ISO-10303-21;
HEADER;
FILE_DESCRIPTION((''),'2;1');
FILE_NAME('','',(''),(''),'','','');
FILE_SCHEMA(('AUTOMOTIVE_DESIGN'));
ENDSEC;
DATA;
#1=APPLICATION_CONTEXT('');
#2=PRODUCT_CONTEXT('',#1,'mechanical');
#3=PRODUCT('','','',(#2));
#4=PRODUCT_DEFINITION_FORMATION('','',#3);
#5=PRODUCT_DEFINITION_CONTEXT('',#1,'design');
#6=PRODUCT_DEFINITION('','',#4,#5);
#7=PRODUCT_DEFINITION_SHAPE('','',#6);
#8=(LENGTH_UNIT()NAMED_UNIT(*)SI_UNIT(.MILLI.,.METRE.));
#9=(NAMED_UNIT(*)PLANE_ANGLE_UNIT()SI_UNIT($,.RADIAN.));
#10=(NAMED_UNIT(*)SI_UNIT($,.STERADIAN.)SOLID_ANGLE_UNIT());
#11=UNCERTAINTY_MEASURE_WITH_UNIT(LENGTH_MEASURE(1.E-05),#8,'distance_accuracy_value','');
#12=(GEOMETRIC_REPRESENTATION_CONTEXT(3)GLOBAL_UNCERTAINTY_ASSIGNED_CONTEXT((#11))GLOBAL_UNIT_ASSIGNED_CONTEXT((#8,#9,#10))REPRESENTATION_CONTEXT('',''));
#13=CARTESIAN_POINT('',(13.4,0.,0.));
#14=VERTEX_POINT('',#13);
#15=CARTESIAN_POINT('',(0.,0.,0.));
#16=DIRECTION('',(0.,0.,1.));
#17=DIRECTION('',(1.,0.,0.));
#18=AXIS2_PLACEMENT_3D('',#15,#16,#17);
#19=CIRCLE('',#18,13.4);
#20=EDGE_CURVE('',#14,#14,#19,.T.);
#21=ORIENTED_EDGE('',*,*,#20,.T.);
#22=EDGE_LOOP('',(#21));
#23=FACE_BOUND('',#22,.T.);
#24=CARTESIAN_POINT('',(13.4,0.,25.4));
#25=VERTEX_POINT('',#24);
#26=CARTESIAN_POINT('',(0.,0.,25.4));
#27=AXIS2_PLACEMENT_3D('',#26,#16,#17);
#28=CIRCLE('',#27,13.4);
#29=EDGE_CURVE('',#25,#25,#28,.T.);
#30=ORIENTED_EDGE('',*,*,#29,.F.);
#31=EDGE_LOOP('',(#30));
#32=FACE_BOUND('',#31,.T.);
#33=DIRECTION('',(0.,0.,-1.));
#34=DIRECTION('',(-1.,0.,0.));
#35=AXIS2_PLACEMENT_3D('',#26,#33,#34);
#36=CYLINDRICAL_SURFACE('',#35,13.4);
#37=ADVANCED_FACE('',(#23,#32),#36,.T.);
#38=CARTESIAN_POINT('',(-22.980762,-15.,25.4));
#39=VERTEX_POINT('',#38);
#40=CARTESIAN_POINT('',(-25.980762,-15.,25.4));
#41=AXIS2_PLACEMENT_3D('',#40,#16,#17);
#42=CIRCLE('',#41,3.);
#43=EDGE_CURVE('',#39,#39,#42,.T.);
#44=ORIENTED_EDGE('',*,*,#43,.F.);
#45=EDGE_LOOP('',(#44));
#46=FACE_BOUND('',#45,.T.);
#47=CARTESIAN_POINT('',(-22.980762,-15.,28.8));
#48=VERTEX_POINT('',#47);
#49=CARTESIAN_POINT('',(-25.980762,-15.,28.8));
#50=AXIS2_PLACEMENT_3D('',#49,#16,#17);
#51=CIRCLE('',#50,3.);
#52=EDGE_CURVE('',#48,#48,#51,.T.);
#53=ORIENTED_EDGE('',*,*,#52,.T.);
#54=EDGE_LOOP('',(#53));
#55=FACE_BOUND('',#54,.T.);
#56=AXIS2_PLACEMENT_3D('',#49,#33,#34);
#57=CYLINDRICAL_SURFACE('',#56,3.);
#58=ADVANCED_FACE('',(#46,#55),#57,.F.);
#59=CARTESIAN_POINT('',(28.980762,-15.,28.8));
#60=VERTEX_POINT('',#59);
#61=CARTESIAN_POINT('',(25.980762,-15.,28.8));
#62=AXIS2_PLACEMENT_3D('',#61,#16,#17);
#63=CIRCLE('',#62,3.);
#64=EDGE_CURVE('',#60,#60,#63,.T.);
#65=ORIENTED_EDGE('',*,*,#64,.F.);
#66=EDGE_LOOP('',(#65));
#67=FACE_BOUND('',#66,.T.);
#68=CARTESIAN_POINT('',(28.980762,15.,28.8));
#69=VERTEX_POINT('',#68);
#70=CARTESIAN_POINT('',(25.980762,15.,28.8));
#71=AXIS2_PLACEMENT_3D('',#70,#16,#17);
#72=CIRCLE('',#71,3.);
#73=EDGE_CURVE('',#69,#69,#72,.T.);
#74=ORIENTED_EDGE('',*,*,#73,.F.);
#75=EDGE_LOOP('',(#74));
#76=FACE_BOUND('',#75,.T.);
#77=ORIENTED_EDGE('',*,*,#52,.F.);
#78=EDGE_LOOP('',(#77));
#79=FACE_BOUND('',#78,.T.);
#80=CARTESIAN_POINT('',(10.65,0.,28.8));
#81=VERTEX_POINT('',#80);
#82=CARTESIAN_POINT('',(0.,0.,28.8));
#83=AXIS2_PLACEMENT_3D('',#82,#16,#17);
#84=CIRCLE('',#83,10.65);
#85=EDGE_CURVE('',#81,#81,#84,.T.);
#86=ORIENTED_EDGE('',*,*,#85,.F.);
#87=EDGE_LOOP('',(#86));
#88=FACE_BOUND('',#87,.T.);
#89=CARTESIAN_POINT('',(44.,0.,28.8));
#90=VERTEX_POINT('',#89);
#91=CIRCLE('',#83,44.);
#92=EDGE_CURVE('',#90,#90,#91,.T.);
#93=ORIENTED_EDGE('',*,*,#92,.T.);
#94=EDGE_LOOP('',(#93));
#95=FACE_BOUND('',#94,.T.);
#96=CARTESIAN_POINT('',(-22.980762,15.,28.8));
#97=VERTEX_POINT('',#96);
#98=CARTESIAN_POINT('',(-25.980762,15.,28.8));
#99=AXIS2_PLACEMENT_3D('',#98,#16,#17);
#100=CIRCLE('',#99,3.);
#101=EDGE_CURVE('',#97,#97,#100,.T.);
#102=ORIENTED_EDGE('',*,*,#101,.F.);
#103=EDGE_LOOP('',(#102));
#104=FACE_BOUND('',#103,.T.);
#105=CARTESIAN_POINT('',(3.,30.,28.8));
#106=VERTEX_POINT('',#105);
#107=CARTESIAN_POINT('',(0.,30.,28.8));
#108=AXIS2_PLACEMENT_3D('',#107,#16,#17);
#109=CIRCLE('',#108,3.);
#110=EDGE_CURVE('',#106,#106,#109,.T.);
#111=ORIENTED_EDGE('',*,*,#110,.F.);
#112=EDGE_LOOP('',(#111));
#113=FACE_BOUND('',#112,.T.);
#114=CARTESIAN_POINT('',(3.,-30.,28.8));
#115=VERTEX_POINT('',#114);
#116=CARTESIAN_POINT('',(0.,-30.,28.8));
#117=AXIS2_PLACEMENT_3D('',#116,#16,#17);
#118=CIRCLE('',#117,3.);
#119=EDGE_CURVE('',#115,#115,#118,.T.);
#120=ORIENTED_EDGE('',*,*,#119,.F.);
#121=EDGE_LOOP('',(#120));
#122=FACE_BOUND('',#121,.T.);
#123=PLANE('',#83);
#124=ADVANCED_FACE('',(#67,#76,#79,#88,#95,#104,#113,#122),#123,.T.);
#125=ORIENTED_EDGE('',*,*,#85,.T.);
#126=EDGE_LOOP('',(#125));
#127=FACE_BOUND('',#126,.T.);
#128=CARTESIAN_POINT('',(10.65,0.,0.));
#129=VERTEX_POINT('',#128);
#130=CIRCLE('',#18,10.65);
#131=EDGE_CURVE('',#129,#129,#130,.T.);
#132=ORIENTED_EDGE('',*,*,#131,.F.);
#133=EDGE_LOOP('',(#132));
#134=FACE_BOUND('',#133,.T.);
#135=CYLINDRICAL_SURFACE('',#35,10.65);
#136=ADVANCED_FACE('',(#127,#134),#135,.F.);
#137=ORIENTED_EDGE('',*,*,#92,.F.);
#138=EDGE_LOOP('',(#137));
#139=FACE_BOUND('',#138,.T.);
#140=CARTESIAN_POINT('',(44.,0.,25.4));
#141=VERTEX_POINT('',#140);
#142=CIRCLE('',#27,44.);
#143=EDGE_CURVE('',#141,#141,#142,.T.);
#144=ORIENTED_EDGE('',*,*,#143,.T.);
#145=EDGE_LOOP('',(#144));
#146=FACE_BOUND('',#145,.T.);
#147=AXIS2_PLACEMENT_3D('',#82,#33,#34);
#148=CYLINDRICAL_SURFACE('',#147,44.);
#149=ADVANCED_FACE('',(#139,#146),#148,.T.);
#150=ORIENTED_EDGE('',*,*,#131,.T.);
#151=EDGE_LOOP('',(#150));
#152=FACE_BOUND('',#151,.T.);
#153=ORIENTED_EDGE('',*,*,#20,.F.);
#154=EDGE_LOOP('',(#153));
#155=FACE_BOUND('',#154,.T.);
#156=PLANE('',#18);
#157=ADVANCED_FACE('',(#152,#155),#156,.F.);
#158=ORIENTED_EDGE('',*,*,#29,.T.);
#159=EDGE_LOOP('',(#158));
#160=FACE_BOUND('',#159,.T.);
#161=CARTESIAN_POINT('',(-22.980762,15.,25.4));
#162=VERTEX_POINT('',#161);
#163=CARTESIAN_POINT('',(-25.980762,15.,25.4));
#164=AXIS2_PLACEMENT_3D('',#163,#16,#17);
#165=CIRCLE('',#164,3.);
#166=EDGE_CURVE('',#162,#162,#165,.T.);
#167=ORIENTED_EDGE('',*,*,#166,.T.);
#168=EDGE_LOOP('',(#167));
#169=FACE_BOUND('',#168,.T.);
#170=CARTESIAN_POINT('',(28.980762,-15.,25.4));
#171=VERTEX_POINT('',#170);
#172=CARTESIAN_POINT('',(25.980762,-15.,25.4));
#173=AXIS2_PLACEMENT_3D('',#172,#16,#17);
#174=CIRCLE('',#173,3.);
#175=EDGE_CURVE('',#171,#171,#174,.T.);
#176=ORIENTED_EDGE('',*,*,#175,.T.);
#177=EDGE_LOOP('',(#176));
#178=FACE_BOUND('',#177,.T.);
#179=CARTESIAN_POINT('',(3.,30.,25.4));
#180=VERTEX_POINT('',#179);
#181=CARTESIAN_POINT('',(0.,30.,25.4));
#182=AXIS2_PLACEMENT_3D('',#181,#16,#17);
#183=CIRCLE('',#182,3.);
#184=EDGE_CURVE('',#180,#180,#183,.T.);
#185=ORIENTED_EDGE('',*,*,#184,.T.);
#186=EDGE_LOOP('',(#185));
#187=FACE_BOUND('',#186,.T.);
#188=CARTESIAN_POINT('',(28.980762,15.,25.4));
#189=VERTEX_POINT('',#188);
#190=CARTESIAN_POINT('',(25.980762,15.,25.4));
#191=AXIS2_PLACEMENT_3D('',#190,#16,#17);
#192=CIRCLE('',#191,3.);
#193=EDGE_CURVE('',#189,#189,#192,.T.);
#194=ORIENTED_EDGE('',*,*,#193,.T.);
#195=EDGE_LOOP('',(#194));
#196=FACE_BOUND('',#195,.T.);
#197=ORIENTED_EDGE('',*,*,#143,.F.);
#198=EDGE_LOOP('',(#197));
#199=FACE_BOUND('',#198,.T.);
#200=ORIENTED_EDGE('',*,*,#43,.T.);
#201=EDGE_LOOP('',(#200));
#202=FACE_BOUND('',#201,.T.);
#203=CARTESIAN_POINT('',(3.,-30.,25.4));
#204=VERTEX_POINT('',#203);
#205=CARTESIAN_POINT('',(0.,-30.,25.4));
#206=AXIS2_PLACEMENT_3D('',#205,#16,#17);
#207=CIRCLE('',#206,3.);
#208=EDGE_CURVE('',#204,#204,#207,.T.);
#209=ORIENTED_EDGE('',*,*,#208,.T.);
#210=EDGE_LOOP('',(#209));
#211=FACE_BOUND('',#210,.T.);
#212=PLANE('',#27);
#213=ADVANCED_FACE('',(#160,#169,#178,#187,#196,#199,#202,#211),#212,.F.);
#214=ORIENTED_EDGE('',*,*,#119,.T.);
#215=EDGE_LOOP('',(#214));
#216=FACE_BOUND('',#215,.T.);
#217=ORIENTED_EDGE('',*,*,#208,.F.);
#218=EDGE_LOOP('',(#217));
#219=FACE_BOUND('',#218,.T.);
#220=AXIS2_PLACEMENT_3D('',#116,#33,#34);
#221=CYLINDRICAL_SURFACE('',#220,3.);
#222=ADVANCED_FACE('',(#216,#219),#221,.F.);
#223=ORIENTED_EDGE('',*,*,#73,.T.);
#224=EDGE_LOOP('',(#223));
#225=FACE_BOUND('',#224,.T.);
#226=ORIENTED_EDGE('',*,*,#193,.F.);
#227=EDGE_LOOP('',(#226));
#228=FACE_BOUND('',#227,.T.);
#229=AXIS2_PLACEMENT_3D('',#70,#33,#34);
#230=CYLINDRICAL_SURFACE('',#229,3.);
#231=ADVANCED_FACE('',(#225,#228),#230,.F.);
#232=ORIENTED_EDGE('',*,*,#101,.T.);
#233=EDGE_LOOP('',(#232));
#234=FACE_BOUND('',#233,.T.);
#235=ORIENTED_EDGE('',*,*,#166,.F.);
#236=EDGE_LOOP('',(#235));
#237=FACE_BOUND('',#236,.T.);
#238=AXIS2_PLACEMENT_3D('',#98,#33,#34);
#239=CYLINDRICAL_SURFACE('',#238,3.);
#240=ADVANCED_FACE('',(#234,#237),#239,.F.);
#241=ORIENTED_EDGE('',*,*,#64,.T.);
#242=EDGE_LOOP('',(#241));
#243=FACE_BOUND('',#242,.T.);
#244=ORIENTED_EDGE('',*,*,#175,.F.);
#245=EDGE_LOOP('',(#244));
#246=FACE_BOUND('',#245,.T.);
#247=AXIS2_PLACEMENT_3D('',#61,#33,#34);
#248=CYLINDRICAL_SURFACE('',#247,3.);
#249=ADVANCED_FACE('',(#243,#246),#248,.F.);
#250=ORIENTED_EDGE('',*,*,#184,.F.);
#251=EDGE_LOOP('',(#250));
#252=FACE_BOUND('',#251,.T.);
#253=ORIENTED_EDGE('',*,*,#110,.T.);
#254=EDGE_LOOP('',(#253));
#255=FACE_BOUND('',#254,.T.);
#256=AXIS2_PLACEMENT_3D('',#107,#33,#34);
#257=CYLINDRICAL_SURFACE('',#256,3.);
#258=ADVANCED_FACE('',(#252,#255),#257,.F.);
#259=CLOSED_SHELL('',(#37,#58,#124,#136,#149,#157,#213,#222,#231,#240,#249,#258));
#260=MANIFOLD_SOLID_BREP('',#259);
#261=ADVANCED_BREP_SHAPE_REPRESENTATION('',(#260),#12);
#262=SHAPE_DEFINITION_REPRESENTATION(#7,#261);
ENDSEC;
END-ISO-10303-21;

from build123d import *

# Parameters (mm, degrees)
CROQUIS1_R              = 13.4
CROQUIS1_R_2            = 10.65
SALIENTE_EXTRUIR1_DEPTH = 25.4
CROQUIS2_R              = 44
CROQUIS2_R_2            = 10.65
CROQUIS2_R_3            = 3
SALIENTE_EXTRUIR2_DEPTH = 3.4


with BuildPart() as part:
    # Croquis1 → Saliente-Extruir1 (new body)
    with BuildSketch(Plane.XY):
        Circle(CROQUIS1_R)
        Circle(CROQUIS1_R_2, mode=Mode.SUBTRACT)
    extrude(amount=SALIENTE_EXTRUIR1_DEPTH)

    # Croquis2 → Saliente-Extruir2 (add)
    with BuildSketch(Plane.XY.offset(25.4)):
        Circle(CROQUIS2_R)
        Circle(CROQUIS2_R_2, mode=Mode.SUBTRACT)
        with Locations((0, 30)):
            Circle(CROQUIS2_R_3, mode=Mode.SUBTRACT)
        with Locations((25.980762114, 15)):
            Circle(CROQUIS2_R_3, mode=Mode.SUBTRACT)
        with Locations((25.980762114, -15)):
            Circle(CROQUIS2_R_3, mode=Mode.SUBTRACT)
        with Locations((0, -30)):
            Circle(CROQUIS2_R_3, mode=Mode.SUBTRACT)
        with Locations((-25.980762114, -15)):
            Circle(CROQUIS2_R_3, mode=Mode.SUBTRACT)
        with Locations((-25.980762114, 15)):
            Circle(CROQUIS2_R_3, mode=Mode.SUBTRACT)
    extrude(amount=SALIENTE_EXTRUIR2_DEPTH)


solid = part.part
